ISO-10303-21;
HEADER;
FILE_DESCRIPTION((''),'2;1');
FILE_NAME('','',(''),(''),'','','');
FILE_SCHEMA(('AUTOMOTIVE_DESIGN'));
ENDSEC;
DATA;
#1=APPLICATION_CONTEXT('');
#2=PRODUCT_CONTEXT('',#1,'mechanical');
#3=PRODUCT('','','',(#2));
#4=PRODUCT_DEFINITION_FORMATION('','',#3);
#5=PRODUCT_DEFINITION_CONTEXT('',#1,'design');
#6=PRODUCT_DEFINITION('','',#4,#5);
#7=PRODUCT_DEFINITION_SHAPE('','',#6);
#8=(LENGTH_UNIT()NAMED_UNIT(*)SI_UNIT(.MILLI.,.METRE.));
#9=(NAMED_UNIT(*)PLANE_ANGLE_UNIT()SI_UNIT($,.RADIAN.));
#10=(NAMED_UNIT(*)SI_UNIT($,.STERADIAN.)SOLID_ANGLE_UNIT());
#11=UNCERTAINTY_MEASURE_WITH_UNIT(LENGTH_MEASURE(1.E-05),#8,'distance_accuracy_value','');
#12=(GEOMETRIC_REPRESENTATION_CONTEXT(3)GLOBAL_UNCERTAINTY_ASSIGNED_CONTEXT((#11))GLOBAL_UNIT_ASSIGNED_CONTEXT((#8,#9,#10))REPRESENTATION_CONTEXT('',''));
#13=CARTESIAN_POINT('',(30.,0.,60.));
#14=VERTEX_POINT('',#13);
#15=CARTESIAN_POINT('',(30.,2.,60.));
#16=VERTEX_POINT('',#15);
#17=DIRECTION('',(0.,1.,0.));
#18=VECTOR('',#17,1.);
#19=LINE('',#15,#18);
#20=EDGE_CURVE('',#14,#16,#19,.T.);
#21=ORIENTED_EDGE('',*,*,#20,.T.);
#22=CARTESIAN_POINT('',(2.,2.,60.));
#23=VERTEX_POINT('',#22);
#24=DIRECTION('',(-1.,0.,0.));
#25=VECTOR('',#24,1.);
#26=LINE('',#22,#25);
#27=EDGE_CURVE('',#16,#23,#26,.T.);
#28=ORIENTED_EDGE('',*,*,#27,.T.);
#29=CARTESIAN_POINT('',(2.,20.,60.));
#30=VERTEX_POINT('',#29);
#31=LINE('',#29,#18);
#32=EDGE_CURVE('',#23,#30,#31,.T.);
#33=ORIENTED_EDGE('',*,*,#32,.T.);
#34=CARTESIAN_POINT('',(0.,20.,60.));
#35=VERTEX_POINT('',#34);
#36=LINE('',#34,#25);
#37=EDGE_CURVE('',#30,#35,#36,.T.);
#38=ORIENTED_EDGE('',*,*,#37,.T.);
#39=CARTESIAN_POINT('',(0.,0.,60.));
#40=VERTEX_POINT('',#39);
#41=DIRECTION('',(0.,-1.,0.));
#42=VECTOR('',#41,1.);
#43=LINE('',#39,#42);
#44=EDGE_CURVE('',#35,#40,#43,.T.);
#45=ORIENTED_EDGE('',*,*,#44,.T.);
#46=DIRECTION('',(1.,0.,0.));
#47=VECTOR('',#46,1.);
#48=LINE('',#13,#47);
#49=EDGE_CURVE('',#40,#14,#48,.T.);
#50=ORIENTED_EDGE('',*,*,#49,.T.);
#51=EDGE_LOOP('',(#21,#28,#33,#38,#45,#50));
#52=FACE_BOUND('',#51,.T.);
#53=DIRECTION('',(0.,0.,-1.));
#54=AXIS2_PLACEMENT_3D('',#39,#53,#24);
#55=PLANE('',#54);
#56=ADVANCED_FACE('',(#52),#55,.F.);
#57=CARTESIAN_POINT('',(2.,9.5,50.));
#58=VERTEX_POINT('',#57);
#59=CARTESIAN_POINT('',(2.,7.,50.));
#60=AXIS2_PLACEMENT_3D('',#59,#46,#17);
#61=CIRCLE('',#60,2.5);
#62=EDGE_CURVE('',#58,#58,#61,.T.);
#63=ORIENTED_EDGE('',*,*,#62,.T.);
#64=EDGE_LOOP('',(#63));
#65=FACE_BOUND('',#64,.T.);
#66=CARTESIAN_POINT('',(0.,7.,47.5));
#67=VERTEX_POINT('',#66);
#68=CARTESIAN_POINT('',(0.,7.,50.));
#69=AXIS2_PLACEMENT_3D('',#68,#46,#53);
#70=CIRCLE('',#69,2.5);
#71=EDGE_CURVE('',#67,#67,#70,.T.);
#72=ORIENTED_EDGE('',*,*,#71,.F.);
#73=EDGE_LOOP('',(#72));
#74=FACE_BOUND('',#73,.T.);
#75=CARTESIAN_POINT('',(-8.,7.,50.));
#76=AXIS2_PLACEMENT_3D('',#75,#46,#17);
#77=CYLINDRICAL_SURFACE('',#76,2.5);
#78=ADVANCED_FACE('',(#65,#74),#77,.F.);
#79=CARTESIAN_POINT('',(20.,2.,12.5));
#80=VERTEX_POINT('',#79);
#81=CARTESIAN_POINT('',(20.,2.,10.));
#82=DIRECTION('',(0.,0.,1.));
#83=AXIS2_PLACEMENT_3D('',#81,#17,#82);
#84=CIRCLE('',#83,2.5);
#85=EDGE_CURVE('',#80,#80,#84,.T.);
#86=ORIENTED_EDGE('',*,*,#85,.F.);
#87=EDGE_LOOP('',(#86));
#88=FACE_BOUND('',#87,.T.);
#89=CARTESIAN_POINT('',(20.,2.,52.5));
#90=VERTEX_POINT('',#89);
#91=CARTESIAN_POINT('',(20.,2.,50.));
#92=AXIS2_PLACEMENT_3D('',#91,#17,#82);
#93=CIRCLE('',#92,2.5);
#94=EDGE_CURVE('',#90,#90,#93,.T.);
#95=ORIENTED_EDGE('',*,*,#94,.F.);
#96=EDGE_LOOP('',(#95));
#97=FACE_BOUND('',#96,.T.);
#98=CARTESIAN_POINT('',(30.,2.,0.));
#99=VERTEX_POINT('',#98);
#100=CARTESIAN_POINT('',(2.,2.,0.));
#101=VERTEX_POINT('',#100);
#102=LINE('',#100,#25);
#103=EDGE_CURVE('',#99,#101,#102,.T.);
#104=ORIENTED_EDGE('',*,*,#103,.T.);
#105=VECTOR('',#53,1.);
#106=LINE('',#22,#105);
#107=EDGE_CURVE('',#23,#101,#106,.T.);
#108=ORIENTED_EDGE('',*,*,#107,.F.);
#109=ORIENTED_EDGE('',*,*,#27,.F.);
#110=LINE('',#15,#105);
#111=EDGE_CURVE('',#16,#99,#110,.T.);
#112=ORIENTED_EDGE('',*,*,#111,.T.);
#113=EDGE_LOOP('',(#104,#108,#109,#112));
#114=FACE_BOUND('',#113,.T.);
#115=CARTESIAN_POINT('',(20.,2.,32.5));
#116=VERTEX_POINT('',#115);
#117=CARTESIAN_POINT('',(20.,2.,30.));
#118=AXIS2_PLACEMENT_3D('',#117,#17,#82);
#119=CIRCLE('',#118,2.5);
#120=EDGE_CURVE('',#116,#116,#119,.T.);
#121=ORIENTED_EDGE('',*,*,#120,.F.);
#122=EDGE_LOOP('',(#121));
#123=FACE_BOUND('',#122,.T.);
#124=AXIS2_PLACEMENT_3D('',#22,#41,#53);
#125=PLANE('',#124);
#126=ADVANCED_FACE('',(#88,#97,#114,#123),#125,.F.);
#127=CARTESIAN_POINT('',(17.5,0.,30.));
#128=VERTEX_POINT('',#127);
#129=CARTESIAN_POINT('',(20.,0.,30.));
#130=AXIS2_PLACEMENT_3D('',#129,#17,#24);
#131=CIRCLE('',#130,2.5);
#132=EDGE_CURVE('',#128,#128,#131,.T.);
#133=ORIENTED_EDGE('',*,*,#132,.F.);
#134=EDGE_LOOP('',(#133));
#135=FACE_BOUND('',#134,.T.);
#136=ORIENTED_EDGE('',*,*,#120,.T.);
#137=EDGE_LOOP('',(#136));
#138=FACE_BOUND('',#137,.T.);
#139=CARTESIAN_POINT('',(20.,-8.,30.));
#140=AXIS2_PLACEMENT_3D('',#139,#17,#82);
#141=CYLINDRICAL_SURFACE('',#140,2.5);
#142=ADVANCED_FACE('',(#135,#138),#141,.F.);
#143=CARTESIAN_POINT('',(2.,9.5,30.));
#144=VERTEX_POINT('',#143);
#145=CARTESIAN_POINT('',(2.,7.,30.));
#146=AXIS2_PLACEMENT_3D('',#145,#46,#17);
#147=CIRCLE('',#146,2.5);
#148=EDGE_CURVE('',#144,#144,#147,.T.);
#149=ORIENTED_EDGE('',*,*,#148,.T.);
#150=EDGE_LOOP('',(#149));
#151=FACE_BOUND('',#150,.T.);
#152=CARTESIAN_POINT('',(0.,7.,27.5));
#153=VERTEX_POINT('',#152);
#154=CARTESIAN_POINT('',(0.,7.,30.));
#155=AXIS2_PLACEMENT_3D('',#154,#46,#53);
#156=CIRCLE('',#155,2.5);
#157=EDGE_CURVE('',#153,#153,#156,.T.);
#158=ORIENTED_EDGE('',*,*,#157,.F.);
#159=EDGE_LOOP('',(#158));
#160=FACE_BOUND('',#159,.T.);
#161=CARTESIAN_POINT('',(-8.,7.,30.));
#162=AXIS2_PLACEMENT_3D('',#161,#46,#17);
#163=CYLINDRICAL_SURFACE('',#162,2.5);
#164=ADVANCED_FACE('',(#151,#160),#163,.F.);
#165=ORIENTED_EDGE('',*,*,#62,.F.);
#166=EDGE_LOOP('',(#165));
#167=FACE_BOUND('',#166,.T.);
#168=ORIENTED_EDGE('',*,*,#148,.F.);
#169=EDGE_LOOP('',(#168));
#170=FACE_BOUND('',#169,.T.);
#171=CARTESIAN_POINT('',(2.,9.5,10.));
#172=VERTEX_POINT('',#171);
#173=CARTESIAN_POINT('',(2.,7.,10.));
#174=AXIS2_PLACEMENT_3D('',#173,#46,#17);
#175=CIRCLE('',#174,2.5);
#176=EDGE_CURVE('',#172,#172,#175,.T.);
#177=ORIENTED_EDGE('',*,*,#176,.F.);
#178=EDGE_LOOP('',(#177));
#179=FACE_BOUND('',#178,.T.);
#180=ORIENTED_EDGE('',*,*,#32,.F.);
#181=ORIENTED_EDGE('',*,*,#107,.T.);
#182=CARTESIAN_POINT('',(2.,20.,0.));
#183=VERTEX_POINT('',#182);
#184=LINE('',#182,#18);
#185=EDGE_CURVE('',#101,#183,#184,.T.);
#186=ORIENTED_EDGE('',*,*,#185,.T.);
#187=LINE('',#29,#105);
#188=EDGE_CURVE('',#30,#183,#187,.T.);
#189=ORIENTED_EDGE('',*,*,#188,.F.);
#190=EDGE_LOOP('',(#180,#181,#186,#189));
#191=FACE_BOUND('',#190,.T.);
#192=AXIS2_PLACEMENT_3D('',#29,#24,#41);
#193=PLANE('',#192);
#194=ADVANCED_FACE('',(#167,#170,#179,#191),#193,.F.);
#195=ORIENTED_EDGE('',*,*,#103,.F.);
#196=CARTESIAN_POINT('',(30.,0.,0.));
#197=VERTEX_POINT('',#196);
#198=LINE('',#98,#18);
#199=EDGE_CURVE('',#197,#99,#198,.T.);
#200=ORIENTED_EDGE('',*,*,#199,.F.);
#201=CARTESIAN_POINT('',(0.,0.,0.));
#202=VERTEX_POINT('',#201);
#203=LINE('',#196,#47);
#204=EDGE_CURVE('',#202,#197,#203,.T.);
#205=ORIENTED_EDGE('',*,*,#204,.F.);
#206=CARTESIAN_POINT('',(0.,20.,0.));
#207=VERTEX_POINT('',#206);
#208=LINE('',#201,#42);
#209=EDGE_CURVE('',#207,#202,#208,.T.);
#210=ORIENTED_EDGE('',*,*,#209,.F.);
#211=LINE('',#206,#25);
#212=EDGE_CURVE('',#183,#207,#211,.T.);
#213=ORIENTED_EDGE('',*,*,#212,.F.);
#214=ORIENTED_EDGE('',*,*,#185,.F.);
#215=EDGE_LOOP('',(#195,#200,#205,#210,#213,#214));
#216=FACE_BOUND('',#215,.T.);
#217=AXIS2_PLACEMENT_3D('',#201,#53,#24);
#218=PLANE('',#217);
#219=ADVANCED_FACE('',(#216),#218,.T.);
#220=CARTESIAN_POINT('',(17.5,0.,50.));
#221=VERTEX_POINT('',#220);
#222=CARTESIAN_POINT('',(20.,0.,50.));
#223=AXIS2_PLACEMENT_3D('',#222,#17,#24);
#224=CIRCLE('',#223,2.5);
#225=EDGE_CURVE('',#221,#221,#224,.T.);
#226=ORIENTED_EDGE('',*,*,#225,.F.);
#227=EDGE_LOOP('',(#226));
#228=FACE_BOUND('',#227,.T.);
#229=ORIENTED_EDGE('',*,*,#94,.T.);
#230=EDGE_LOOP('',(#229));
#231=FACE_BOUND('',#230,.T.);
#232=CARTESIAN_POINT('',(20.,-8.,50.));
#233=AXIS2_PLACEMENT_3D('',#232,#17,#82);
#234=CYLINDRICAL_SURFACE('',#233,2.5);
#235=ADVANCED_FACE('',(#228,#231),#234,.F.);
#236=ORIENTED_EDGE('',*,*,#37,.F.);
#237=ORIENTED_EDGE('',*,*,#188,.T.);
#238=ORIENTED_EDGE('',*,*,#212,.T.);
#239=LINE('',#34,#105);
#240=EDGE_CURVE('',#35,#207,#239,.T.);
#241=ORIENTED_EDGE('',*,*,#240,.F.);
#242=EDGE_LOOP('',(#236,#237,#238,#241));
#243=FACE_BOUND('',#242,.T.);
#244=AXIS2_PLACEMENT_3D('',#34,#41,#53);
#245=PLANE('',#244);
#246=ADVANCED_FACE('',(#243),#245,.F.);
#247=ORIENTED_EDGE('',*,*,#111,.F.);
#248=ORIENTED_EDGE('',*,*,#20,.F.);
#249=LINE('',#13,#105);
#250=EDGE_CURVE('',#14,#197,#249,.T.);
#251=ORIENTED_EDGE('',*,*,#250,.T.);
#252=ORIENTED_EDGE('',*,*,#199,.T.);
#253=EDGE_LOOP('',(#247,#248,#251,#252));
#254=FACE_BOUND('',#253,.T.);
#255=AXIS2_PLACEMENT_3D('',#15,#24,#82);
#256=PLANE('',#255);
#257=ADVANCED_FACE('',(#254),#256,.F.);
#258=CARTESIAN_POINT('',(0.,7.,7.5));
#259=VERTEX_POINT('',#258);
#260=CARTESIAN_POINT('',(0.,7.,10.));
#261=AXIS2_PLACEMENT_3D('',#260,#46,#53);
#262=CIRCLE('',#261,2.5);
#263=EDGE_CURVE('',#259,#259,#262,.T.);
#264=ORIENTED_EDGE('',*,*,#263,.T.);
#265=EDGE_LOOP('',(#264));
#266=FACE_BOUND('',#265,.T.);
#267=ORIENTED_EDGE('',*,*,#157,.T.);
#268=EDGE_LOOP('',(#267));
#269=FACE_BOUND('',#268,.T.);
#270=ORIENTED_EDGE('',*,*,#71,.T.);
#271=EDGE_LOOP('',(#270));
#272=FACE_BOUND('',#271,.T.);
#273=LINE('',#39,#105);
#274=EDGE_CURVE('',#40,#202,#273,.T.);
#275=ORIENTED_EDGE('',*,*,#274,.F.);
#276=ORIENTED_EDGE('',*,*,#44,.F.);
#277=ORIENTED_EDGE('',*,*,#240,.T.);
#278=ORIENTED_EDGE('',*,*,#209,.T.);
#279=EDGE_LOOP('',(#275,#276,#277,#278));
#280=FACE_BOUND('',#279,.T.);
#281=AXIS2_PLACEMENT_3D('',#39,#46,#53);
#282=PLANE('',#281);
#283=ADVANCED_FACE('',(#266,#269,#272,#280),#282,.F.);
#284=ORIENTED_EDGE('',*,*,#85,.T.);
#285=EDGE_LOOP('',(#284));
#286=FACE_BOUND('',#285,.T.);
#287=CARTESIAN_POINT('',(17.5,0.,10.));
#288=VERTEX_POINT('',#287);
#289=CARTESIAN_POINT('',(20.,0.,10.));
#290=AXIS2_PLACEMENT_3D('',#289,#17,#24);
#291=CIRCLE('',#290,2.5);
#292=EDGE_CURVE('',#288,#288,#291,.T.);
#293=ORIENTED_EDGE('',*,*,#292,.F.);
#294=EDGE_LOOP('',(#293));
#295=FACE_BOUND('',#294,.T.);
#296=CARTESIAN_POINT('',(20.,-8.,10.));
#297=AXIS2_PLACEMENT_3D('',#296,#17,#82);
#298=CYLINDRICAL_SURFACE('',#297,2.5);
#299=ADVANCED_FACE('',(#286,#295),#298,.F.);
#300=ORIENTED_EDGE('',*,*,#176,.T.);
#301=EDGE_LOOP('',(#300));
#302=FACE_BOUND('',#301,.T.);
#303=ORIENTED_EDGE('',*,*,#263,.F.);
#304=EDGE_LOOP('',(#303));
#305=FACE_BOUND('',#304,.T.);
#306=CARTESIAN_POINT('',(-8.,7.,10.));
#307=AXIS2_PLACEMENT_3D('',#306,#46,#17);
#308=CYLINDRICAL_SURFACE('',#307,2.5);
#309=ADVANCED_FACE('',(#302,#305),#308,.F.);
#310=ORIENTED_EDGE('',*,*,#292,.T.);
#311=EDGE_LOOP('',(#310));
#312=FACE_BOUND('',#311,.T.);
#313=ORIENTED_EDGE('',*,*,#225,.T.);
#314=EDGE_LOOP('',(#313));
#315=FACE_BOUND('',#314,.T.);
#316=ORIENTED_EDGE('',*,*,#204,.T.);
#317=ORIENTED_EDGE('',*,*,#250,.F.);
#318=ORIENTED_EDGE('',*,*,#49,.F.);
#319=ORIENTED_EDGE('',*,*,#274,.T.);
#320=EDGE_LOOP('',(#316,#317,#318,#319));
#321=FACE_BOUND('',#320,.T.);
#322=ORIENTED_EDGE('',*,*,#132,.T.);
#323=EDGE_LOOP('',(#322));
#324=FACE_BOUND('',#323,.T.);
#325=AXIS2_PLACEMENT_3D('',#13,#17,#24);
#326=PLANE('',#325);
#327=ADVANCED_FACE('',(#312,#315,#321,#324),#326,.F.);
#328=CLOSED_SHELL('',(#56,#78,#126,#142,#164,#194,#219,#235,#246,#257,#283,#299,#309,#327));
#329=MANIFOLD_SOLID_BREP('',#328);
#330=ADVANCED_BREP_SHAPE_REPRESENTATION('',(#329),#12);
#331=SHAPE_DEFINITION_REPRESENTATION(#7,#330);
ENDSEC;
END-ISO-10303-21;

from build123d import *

# Parameters (mm, degrees)
BOSS_EXTRUDE1_DEPTH = 60
SKETCH2_R           = 2.5
CUT_EXTRUDE1_DEPTH  = 10
SKETCH3_R           = 2.5
CUT_EXTRUDE2_DEPTH  = 10


with BuildPart() as part:
    # Sketch1 → Boss-Extrude1 (new body)
    with BuildSketch(Plane.XY):
        Polygon((0, 0), (0, 20), (2, 20), (2, 2), (30, 2), (30, 0), align=None)
    extrude(amount=BOSS_EXTRUDE1_DEPTH)

    # Sketch2 → Cut-Extrude1 (cut)
    with BuildSketch(Plane(origin=(0, 2, 0), x_dir=(1, 0, 0), z_dir=(0, 1, 0))):
        with Locations((20, -30)):
            Circle(SKETCH2_R)
        with Locations((20, -10)):
            Circle(SKETCH2_R)
        with Locations((20, -50)):
            Circle(SKETCH2_R)
    extrude(amount=-CUT_EXTRUDE1_DEPTH, mode=Mode.SUBTRACT)

    # Sketch3 → Cut-Extrude2 (cut)
    with BuildSketch(Plane(origin=(2, 0, 0), x_dir=(0, 0, -1), z_dir=(1, 0, 0))):
        with Locations((-30, 7)):
            Circle(SKETCH3_R)
        with Locations((-10, 7)):
            Circle(SKETCH3_R)
        with Locations((-50, 7)):
            Circle(SKETCH3_R)
    extrude(amount=-CUT_EXTRUDE2_DEPTH, mode=Mode.SUBTRACT)


solid = part.part
